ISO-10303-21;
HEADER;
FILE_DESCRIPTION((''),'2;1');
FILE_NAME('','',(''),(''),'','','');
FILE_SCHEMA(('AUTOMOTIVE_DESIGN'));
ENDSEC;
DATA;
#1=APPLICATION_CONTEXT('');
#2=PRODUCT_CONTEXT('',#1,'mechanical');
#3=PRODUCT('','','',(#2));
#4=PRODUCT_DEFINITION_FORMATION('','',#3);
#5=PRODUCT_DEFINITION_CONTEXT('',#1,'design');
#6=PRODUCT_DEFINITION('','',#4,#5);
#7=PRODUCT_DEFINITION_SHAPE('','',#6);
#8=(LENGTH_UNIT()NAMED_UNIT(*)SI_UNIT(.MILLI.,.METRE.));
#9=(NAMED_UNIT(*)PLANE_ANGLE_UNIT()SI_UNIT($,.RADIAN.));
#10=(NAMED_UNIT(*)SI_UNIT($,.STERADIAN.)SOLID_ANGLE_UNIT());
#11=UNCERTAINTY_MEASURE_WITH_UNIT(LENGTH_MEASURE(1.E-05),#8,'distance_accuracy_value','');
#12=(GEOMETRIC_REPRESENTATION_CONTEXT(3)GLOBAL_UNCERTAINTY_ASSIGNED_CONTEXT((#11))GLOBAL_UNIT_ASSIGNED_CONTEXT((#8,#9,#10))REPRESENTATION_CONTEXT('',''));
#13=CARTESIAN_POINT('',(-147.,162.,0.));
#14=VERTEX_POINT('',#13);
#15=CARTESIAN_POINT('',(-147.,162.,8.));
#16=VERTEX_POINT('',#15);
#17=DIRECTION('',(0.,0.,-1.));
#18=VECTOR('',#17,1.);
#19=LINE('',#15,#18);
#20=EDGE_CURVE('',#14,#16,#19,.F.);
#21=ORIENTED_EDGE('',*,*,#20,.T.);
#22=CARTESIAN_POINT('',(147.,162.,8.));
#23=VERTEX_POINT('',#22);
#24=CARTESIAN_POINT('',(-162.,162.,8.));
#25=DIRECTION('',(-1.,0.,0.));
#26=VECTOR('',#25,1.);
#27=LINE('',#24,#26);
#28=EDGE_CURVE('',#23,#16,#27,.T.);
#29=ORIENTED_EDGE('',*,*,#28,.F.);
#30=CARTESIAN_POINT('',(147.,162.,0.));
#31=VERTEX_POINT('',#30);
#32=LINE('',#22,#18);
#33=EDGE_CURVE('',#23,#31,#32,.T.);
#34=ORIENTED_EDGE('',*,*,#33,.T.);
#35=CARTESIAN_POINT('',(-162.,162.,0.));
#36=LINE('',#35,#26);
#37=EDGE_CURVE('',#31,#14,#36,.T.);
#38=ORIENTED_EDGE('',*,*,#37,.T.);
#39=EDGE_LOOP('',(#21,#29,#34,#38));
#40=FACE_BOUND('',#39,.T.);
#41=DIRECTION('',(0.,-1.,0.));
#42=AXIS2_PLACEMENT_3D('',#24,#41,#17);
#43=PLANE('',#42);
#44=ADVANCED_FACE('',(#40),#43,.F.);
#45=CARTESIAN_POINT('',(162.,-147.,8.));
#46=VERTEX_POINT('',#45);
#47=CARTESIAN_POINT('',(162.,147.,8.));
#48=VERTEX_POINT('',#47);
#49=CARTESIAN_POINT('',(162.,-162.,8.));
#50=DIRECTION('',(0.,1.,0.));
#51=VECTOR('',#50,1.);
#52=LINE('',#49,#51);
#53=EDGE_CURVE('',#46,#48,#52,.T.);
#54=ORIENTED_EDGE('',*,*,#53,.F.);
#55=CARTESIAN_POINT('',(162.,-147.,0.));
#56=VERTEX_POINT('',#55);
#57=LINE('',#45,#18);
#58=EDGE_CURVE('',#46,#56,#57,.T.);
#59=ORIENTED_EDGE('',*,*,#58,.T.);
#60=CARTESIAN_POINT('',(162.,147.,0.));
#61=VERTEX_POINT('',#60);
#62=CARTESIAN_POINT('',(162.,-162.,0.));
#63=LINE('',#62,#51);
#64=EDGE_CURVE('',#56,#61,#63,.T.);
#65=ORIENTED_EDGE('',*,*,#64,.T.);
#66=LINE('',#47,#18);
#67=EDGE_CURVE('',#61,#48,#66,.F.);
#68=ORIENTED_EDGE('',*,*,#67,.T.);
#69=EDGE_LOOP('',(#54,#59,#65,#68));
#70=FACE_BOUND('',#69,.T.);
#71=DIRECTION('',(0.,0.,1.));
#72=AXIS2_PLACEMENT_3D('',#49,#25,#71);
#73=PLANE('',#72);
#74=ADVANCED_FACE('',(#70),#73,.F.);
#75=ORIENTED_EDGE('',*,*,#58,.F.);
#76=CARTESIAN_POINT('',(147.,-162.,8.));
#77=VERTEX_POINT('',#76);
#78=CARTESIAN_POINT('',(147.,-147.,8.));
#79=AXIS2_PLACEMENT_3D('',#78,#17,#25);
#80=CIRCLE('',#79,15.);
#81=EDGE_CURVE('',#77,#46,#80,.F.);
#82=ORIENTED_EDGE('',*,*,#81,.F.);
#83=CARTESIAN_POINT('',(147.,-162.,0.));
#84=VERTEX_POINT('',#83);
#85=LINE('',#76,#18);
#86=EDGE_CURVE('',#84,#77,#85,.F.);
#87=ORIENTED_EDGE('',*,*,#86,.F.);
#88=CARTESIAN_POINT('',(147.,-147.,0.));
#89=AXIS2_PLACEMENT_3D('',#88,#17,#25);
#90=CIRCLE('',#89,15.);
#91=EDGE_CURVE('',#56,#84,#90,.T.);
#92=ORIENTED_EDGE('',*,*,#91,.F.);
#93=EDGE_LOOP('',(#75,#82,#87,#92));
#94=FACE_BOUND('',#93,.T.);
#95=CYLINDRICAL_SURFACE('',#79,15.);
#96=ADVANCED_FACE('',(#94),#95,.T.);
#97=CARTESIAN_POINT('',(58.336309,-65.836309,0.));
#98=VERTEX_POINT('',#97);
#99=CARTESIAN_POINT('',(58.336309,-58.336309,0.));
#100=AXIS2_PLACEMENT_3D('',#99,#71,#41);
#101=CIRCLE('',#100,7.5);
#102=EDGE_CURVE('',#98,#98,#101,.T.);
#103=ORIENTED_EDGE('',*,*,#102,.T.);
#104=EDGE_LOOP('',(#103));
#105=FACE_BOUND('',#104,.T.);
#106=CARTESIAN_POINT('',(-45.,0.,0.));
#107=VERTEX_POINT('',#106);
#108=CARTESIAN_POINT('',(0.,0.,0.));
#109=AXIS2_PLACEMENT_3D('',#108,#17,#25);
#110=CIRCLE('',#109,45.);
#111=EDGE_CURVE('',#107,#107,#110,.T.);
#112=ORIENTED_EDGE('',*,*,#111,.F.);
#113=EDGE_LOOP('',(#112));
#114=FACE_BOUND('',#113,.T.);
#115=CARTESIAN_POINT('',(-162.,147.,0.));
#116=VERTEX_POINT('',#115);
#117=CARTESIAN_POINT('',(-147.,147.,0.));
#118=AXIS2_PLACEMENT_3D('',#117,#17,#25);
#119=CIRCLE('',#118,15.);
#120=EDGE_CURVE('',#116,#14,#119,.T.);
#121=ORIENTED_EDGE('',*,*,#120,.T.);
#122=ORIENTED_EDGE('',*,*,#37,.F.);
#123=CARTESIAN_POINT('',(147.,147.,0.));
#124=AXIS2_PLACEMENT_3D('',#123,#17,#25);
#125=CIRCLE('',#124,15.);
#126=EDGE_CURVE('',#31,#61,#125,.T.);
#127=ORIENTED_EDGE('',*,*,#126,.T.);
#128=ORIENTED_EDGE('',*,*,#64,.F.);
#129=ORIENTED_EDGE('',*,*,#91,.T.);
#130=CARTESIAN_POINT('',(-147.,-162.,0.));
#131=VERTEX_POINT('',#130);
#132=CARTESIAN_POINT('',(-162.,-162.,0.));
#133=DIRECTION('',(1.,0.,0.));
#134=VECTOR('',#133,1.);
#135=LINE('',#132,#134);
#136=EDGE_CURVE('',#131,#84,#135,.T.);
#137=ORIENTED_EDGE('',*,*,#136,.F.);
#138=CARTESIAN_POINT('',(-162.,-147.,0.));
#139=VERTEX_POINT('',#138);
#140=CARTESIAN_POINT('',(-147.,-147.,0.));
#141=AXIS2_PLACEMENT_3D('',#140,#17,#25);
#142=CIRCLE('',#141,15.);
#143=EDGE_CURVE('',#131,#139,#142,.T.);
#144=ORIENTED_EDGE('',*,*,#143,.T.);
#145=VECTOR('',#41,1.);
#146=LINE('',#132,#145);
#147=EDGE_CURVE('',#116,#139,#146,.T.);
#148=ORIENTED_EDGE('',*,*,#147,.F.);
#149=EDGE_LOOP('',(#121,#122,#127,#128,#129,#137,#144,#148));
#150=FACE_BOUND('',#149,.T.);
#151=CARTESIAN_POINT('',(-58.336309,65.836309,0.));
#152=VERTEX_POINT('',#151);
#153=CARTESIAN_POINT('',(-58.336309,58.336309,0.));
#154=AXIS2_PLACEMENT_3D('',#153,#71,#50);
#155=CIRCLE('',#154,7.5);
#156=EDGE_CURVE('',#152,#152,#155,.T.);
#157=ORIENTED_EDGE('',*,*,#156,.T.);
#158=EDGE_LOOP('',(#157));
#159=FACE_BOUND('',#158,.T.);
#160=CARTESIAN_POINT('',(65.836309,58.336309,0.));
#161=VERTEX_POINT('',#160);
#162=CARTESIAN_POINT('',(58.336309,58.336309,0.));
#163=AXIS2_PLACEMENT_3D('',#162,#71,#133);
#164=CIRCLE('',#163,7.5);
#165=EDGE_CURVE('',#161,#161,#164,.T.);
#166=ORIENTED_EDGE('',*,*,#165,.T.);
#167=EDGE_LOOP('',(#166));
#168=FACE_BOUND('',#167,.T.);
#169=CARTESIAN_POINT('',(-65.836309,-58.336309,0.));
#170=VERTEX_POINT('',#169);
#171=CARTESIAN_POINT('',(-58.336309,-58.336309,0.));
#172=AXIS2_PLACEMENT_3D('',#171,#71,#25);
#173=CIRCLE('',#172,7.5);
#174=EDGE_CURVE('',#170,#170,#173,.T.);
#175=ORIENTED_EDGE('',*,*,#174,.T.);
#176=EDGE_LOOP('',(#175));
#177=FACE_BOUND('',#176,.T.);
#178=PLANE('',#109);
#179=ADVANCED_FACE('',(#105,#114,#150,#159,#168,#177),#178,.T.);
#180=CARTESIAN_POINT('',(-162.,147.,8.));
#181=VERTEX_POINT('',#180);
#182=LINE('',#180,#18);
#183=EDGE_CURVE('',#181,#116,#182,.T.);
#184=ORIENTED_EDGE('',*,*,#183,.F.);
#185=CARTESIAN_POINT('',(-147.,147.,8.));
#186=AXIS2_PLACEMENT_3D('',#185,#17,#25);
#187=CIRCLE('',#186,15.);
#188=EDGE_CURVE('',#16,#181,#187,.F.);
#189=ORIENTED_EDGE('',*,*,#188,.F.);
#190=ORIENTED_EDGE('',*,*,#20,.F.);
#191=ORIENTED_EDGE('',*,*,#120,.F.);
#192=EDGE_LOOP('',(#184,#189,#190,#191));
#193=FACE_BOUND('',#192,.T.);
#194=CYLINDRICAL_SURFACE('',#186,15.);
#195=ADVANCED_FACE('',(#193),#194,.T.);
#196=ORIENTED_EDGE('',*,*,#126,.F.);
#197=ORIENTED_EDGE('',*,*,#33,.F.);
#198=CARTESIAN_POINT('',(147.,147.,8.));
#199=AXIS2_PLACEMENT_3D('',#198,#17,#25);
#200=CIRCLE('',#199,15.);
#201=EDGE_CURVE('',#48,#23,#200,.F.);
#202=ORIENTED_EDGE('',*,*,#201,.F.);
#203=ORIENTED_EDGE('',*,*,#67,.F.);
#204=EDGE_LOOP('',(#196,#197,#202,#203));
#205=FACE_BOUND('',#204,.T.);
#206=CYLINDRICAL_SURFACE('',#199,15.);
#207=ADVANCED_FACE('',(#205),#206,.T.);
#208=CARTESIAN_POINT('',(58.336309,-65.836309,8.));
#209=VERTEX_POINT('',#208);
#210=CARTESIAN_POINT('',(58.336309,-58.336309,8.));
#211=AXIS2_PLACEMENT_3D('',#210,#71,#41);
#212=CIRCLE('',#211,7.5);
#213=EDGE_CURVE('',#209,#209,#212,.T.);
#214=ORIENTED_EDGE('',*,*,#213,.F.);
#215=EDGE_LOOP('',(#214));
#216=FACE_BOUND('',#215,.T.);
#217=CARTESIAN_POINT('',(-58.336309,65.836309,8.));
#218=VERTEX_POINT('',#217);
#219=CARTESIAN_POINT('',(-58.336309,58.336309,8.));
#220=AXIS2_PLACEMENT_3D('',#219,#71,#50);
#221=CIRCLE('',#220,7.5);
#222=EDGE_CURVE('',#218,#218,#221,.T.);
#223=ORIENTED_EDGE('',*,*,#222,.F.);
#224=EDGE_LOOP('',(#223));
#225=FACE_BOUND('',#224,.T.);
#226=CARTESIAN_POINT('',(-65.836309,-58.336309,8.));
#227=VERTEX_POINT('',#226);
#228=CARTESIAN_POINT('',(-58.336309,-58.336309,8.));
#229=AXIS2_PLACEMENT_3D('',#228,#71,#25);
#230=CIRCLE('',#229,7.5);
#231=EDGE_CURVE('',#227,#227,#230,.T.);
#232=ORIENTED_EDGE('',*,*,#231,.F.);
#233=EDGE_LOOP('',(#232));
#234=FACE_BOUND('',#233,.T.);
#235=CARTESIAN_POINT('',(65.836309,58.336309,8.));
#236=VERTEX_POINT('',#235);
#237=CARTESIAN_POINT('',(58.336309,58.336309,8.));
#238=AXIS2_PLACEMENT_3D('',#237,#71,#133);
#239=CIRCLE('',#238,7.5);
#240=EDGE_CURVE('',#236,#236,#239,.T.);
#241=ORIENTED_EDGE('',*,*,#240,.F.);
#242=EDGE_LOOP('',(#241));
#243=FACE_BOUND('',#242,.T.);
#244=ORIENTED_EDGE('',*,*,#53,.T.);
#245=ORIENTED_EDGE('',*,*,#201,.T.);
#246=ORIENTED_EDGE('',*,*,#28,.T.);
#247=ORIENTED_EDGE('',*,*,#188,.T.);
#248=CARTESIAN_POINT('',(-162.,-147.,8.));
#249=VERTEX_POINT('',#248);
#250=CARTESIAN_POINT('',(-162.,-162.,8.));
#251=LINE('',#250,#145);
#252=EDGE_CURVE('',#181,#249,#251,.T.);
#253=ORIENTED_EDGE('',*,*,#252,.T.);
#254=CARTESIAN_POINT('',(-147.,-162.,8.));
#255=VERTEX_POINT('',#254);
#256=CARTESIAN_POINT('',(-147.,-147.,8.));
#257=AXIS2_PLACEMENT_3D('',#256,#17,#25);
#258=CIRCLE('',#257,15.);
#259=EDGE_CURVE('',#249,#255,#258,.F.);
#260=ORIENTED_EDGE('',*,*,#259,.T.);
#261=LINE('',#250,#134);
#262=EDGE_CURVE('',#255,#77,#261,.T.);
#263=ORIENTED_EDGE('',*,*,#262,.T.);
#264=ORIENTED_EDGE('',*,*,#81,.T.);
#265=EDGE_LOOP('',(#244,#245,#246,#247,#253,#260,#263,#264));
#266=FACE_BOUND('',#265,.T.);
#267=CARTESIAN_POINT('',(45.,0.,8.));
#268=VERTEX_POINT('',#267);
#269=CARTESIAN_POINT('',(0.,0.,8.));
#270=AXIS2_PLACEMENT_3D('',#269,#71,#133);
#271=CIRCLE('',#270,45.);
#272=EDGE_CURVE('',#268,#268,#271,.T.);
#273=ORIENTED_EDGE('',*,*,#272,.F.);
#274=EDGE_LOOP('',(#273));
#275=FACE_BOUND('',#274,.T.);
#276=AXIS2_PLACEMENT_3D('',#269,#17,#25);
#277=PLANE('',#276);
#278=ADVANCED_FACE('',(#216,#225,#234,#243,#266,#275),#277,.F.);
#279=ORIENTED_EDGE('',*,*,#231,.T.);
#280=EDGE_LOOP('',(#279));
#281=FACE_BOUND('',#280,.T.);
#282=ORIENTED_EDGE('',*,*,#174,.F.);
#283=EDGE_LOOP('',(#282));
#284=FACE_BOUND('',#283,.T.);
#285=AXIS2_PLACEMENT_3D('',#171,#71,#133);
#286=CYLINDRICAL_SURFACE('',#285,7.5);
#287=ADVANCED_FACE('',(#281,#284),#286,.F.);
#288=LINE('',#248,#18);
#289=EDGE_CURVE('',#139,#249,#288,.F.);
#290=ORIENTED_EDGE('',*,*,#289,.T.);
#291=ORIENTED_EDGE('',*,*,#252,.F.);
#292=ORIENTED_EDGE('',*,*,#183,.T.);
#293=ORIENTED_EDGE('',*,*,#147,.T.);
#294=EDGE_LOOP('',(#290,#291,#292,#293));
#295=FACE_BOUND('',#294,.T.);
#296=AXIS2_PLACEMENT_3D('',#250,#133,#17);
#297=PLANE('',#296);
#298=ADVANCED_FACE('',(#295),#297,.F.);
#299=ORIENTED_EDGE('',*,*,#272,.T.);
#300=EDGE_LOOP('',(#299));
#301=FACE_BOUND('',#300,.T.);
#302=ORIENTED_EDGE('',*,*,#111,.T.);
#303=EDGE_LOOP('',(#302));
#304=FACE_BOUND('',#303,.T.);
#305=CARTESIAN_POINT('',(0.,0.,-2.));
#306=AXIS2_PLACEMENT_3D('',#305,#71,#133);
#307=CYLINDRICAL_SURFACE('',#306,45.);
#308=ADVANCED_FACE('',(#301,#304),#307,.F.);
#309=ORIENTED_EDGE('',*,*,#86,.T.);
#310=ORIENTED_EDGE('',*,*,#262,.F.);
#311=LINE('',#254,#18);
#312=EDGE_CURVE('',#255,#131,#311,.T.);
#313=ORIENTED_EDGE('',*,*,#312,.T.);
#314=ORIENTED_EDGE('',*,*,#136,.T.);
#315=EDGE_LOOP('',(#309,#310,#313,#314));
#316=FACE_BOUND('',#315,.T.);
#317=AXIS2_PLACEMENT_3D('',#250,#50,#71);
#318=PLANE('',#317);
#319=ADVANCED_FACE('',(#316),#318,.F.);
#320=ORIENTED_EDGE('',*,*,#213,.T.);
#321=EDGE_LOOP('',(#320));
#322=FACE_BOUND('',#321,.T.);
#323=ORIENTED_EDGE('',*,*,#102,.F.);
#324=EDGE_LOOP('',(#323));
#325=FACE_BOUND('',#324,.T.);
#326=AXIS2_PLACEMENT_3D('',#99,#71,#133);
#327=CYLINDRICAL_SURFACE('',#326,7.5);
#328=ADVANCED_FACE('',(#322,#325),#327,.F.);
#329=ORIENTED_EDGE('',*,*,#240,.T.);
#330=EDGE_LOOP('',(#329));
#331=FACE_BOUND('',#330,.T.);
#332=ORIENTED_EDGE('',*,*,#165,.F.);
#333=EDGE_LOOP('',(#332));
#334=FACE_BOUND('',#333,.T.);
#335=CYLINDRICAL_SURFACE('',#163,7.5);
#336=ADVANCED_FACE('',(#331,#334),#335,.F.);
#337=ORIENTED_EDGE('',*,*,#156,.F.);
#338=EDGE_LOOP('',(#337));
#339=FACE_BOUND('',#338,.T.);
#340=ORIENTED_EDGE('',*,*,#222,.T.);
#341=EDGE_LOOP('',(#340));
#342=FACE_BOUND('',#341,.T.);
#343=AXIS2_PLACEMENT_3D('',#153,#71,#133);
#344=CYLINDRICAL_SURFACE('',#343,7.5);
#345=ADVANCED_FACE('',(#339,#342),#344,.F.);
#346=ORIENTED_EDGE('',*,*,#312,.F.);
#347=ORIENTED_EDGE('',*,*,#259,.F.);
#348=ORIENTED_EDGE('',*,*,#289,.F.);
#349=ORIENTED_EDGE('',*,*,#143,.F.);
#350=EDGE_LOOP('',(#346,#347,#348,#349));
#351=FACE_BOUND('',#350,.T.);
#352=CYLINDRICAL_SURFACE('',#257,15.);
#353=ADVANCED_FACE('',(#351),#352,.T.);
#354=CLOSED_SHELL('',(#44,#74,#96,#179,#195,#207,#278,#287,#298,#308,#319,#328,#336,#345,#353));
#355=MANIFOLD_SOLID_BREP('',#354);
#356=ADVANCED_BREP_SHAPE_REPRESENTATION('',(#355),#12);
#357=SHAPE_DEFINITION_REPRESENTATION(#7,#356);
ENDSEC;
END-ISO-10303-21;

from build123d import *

# Parameters (mm, degrees)
SKETCH1_W           = 324
SKETCH1_H           = 324
BOSS_EXTRUDE1_DEPTH = 8
SKETCH2_R           = 7.5
CUT_EXTRUDE1_DEPTH  = 8
SKETCH3_R           = 45
CUT_EXTRUDE2_DEPTH  = 10
CIRPATTERN1_COUNT   = 4
FILLET1_R           = 15


with BuildPart() as part:
    # Sketch1 → Boss-Extrude1 (new body)
    with BuildSketch(Plane.XY):
        Rectangle(SKETCH1_W, SKETCH1_H)
    extrude(amount=BOSS_EXTRUDE1_DEPTH)

    # Sketch2 → Cut-Extrude1 (cut)
    with BuildSketch(Plane.XY.offset(8)):
        with Locations((58.336309448, 58.336309448)):
            Circle(SKETCH2_R)
    cut_extrude1 = extrude(amount=-CUT_EXTRUDE1_DEPTH, mode=Mode.SUBTRACT)

    # Sketch3 → Cut-Extrude2 (cut)
    with BuildSketch(Plane.XY.offset(8)):
        Circle(SKETCH3_R)
    extrude(amount=-CUT_EXTRUDE2_DEPTH, mode=Mode.SUBTRACT)

    # CirPattern1: Cut-Extrude1 ×4 about axis
    cirpattern1_axis = Axis((0, 0, 0), (0, 0, 1))
    for i in range(1, CIRPATTERN1_COUNT):
        add(cut_extrude1.rotate(cirpattern1_axis, i * 360 / CIRPATTERN1_COUNT), mode=Mode.SUBTRACT)

    # Fillet1
    fillet1_edges = [part.edges().sort_by_distance(p)[0] for p in [
        (162, -162, 4),
        (-162, -162, 4),
        (-162, 162, 4),
        (162, 162, 4),
    ]]
    fillet(fillet1_edges, radius=FILLET1_R)


solid = part.part
